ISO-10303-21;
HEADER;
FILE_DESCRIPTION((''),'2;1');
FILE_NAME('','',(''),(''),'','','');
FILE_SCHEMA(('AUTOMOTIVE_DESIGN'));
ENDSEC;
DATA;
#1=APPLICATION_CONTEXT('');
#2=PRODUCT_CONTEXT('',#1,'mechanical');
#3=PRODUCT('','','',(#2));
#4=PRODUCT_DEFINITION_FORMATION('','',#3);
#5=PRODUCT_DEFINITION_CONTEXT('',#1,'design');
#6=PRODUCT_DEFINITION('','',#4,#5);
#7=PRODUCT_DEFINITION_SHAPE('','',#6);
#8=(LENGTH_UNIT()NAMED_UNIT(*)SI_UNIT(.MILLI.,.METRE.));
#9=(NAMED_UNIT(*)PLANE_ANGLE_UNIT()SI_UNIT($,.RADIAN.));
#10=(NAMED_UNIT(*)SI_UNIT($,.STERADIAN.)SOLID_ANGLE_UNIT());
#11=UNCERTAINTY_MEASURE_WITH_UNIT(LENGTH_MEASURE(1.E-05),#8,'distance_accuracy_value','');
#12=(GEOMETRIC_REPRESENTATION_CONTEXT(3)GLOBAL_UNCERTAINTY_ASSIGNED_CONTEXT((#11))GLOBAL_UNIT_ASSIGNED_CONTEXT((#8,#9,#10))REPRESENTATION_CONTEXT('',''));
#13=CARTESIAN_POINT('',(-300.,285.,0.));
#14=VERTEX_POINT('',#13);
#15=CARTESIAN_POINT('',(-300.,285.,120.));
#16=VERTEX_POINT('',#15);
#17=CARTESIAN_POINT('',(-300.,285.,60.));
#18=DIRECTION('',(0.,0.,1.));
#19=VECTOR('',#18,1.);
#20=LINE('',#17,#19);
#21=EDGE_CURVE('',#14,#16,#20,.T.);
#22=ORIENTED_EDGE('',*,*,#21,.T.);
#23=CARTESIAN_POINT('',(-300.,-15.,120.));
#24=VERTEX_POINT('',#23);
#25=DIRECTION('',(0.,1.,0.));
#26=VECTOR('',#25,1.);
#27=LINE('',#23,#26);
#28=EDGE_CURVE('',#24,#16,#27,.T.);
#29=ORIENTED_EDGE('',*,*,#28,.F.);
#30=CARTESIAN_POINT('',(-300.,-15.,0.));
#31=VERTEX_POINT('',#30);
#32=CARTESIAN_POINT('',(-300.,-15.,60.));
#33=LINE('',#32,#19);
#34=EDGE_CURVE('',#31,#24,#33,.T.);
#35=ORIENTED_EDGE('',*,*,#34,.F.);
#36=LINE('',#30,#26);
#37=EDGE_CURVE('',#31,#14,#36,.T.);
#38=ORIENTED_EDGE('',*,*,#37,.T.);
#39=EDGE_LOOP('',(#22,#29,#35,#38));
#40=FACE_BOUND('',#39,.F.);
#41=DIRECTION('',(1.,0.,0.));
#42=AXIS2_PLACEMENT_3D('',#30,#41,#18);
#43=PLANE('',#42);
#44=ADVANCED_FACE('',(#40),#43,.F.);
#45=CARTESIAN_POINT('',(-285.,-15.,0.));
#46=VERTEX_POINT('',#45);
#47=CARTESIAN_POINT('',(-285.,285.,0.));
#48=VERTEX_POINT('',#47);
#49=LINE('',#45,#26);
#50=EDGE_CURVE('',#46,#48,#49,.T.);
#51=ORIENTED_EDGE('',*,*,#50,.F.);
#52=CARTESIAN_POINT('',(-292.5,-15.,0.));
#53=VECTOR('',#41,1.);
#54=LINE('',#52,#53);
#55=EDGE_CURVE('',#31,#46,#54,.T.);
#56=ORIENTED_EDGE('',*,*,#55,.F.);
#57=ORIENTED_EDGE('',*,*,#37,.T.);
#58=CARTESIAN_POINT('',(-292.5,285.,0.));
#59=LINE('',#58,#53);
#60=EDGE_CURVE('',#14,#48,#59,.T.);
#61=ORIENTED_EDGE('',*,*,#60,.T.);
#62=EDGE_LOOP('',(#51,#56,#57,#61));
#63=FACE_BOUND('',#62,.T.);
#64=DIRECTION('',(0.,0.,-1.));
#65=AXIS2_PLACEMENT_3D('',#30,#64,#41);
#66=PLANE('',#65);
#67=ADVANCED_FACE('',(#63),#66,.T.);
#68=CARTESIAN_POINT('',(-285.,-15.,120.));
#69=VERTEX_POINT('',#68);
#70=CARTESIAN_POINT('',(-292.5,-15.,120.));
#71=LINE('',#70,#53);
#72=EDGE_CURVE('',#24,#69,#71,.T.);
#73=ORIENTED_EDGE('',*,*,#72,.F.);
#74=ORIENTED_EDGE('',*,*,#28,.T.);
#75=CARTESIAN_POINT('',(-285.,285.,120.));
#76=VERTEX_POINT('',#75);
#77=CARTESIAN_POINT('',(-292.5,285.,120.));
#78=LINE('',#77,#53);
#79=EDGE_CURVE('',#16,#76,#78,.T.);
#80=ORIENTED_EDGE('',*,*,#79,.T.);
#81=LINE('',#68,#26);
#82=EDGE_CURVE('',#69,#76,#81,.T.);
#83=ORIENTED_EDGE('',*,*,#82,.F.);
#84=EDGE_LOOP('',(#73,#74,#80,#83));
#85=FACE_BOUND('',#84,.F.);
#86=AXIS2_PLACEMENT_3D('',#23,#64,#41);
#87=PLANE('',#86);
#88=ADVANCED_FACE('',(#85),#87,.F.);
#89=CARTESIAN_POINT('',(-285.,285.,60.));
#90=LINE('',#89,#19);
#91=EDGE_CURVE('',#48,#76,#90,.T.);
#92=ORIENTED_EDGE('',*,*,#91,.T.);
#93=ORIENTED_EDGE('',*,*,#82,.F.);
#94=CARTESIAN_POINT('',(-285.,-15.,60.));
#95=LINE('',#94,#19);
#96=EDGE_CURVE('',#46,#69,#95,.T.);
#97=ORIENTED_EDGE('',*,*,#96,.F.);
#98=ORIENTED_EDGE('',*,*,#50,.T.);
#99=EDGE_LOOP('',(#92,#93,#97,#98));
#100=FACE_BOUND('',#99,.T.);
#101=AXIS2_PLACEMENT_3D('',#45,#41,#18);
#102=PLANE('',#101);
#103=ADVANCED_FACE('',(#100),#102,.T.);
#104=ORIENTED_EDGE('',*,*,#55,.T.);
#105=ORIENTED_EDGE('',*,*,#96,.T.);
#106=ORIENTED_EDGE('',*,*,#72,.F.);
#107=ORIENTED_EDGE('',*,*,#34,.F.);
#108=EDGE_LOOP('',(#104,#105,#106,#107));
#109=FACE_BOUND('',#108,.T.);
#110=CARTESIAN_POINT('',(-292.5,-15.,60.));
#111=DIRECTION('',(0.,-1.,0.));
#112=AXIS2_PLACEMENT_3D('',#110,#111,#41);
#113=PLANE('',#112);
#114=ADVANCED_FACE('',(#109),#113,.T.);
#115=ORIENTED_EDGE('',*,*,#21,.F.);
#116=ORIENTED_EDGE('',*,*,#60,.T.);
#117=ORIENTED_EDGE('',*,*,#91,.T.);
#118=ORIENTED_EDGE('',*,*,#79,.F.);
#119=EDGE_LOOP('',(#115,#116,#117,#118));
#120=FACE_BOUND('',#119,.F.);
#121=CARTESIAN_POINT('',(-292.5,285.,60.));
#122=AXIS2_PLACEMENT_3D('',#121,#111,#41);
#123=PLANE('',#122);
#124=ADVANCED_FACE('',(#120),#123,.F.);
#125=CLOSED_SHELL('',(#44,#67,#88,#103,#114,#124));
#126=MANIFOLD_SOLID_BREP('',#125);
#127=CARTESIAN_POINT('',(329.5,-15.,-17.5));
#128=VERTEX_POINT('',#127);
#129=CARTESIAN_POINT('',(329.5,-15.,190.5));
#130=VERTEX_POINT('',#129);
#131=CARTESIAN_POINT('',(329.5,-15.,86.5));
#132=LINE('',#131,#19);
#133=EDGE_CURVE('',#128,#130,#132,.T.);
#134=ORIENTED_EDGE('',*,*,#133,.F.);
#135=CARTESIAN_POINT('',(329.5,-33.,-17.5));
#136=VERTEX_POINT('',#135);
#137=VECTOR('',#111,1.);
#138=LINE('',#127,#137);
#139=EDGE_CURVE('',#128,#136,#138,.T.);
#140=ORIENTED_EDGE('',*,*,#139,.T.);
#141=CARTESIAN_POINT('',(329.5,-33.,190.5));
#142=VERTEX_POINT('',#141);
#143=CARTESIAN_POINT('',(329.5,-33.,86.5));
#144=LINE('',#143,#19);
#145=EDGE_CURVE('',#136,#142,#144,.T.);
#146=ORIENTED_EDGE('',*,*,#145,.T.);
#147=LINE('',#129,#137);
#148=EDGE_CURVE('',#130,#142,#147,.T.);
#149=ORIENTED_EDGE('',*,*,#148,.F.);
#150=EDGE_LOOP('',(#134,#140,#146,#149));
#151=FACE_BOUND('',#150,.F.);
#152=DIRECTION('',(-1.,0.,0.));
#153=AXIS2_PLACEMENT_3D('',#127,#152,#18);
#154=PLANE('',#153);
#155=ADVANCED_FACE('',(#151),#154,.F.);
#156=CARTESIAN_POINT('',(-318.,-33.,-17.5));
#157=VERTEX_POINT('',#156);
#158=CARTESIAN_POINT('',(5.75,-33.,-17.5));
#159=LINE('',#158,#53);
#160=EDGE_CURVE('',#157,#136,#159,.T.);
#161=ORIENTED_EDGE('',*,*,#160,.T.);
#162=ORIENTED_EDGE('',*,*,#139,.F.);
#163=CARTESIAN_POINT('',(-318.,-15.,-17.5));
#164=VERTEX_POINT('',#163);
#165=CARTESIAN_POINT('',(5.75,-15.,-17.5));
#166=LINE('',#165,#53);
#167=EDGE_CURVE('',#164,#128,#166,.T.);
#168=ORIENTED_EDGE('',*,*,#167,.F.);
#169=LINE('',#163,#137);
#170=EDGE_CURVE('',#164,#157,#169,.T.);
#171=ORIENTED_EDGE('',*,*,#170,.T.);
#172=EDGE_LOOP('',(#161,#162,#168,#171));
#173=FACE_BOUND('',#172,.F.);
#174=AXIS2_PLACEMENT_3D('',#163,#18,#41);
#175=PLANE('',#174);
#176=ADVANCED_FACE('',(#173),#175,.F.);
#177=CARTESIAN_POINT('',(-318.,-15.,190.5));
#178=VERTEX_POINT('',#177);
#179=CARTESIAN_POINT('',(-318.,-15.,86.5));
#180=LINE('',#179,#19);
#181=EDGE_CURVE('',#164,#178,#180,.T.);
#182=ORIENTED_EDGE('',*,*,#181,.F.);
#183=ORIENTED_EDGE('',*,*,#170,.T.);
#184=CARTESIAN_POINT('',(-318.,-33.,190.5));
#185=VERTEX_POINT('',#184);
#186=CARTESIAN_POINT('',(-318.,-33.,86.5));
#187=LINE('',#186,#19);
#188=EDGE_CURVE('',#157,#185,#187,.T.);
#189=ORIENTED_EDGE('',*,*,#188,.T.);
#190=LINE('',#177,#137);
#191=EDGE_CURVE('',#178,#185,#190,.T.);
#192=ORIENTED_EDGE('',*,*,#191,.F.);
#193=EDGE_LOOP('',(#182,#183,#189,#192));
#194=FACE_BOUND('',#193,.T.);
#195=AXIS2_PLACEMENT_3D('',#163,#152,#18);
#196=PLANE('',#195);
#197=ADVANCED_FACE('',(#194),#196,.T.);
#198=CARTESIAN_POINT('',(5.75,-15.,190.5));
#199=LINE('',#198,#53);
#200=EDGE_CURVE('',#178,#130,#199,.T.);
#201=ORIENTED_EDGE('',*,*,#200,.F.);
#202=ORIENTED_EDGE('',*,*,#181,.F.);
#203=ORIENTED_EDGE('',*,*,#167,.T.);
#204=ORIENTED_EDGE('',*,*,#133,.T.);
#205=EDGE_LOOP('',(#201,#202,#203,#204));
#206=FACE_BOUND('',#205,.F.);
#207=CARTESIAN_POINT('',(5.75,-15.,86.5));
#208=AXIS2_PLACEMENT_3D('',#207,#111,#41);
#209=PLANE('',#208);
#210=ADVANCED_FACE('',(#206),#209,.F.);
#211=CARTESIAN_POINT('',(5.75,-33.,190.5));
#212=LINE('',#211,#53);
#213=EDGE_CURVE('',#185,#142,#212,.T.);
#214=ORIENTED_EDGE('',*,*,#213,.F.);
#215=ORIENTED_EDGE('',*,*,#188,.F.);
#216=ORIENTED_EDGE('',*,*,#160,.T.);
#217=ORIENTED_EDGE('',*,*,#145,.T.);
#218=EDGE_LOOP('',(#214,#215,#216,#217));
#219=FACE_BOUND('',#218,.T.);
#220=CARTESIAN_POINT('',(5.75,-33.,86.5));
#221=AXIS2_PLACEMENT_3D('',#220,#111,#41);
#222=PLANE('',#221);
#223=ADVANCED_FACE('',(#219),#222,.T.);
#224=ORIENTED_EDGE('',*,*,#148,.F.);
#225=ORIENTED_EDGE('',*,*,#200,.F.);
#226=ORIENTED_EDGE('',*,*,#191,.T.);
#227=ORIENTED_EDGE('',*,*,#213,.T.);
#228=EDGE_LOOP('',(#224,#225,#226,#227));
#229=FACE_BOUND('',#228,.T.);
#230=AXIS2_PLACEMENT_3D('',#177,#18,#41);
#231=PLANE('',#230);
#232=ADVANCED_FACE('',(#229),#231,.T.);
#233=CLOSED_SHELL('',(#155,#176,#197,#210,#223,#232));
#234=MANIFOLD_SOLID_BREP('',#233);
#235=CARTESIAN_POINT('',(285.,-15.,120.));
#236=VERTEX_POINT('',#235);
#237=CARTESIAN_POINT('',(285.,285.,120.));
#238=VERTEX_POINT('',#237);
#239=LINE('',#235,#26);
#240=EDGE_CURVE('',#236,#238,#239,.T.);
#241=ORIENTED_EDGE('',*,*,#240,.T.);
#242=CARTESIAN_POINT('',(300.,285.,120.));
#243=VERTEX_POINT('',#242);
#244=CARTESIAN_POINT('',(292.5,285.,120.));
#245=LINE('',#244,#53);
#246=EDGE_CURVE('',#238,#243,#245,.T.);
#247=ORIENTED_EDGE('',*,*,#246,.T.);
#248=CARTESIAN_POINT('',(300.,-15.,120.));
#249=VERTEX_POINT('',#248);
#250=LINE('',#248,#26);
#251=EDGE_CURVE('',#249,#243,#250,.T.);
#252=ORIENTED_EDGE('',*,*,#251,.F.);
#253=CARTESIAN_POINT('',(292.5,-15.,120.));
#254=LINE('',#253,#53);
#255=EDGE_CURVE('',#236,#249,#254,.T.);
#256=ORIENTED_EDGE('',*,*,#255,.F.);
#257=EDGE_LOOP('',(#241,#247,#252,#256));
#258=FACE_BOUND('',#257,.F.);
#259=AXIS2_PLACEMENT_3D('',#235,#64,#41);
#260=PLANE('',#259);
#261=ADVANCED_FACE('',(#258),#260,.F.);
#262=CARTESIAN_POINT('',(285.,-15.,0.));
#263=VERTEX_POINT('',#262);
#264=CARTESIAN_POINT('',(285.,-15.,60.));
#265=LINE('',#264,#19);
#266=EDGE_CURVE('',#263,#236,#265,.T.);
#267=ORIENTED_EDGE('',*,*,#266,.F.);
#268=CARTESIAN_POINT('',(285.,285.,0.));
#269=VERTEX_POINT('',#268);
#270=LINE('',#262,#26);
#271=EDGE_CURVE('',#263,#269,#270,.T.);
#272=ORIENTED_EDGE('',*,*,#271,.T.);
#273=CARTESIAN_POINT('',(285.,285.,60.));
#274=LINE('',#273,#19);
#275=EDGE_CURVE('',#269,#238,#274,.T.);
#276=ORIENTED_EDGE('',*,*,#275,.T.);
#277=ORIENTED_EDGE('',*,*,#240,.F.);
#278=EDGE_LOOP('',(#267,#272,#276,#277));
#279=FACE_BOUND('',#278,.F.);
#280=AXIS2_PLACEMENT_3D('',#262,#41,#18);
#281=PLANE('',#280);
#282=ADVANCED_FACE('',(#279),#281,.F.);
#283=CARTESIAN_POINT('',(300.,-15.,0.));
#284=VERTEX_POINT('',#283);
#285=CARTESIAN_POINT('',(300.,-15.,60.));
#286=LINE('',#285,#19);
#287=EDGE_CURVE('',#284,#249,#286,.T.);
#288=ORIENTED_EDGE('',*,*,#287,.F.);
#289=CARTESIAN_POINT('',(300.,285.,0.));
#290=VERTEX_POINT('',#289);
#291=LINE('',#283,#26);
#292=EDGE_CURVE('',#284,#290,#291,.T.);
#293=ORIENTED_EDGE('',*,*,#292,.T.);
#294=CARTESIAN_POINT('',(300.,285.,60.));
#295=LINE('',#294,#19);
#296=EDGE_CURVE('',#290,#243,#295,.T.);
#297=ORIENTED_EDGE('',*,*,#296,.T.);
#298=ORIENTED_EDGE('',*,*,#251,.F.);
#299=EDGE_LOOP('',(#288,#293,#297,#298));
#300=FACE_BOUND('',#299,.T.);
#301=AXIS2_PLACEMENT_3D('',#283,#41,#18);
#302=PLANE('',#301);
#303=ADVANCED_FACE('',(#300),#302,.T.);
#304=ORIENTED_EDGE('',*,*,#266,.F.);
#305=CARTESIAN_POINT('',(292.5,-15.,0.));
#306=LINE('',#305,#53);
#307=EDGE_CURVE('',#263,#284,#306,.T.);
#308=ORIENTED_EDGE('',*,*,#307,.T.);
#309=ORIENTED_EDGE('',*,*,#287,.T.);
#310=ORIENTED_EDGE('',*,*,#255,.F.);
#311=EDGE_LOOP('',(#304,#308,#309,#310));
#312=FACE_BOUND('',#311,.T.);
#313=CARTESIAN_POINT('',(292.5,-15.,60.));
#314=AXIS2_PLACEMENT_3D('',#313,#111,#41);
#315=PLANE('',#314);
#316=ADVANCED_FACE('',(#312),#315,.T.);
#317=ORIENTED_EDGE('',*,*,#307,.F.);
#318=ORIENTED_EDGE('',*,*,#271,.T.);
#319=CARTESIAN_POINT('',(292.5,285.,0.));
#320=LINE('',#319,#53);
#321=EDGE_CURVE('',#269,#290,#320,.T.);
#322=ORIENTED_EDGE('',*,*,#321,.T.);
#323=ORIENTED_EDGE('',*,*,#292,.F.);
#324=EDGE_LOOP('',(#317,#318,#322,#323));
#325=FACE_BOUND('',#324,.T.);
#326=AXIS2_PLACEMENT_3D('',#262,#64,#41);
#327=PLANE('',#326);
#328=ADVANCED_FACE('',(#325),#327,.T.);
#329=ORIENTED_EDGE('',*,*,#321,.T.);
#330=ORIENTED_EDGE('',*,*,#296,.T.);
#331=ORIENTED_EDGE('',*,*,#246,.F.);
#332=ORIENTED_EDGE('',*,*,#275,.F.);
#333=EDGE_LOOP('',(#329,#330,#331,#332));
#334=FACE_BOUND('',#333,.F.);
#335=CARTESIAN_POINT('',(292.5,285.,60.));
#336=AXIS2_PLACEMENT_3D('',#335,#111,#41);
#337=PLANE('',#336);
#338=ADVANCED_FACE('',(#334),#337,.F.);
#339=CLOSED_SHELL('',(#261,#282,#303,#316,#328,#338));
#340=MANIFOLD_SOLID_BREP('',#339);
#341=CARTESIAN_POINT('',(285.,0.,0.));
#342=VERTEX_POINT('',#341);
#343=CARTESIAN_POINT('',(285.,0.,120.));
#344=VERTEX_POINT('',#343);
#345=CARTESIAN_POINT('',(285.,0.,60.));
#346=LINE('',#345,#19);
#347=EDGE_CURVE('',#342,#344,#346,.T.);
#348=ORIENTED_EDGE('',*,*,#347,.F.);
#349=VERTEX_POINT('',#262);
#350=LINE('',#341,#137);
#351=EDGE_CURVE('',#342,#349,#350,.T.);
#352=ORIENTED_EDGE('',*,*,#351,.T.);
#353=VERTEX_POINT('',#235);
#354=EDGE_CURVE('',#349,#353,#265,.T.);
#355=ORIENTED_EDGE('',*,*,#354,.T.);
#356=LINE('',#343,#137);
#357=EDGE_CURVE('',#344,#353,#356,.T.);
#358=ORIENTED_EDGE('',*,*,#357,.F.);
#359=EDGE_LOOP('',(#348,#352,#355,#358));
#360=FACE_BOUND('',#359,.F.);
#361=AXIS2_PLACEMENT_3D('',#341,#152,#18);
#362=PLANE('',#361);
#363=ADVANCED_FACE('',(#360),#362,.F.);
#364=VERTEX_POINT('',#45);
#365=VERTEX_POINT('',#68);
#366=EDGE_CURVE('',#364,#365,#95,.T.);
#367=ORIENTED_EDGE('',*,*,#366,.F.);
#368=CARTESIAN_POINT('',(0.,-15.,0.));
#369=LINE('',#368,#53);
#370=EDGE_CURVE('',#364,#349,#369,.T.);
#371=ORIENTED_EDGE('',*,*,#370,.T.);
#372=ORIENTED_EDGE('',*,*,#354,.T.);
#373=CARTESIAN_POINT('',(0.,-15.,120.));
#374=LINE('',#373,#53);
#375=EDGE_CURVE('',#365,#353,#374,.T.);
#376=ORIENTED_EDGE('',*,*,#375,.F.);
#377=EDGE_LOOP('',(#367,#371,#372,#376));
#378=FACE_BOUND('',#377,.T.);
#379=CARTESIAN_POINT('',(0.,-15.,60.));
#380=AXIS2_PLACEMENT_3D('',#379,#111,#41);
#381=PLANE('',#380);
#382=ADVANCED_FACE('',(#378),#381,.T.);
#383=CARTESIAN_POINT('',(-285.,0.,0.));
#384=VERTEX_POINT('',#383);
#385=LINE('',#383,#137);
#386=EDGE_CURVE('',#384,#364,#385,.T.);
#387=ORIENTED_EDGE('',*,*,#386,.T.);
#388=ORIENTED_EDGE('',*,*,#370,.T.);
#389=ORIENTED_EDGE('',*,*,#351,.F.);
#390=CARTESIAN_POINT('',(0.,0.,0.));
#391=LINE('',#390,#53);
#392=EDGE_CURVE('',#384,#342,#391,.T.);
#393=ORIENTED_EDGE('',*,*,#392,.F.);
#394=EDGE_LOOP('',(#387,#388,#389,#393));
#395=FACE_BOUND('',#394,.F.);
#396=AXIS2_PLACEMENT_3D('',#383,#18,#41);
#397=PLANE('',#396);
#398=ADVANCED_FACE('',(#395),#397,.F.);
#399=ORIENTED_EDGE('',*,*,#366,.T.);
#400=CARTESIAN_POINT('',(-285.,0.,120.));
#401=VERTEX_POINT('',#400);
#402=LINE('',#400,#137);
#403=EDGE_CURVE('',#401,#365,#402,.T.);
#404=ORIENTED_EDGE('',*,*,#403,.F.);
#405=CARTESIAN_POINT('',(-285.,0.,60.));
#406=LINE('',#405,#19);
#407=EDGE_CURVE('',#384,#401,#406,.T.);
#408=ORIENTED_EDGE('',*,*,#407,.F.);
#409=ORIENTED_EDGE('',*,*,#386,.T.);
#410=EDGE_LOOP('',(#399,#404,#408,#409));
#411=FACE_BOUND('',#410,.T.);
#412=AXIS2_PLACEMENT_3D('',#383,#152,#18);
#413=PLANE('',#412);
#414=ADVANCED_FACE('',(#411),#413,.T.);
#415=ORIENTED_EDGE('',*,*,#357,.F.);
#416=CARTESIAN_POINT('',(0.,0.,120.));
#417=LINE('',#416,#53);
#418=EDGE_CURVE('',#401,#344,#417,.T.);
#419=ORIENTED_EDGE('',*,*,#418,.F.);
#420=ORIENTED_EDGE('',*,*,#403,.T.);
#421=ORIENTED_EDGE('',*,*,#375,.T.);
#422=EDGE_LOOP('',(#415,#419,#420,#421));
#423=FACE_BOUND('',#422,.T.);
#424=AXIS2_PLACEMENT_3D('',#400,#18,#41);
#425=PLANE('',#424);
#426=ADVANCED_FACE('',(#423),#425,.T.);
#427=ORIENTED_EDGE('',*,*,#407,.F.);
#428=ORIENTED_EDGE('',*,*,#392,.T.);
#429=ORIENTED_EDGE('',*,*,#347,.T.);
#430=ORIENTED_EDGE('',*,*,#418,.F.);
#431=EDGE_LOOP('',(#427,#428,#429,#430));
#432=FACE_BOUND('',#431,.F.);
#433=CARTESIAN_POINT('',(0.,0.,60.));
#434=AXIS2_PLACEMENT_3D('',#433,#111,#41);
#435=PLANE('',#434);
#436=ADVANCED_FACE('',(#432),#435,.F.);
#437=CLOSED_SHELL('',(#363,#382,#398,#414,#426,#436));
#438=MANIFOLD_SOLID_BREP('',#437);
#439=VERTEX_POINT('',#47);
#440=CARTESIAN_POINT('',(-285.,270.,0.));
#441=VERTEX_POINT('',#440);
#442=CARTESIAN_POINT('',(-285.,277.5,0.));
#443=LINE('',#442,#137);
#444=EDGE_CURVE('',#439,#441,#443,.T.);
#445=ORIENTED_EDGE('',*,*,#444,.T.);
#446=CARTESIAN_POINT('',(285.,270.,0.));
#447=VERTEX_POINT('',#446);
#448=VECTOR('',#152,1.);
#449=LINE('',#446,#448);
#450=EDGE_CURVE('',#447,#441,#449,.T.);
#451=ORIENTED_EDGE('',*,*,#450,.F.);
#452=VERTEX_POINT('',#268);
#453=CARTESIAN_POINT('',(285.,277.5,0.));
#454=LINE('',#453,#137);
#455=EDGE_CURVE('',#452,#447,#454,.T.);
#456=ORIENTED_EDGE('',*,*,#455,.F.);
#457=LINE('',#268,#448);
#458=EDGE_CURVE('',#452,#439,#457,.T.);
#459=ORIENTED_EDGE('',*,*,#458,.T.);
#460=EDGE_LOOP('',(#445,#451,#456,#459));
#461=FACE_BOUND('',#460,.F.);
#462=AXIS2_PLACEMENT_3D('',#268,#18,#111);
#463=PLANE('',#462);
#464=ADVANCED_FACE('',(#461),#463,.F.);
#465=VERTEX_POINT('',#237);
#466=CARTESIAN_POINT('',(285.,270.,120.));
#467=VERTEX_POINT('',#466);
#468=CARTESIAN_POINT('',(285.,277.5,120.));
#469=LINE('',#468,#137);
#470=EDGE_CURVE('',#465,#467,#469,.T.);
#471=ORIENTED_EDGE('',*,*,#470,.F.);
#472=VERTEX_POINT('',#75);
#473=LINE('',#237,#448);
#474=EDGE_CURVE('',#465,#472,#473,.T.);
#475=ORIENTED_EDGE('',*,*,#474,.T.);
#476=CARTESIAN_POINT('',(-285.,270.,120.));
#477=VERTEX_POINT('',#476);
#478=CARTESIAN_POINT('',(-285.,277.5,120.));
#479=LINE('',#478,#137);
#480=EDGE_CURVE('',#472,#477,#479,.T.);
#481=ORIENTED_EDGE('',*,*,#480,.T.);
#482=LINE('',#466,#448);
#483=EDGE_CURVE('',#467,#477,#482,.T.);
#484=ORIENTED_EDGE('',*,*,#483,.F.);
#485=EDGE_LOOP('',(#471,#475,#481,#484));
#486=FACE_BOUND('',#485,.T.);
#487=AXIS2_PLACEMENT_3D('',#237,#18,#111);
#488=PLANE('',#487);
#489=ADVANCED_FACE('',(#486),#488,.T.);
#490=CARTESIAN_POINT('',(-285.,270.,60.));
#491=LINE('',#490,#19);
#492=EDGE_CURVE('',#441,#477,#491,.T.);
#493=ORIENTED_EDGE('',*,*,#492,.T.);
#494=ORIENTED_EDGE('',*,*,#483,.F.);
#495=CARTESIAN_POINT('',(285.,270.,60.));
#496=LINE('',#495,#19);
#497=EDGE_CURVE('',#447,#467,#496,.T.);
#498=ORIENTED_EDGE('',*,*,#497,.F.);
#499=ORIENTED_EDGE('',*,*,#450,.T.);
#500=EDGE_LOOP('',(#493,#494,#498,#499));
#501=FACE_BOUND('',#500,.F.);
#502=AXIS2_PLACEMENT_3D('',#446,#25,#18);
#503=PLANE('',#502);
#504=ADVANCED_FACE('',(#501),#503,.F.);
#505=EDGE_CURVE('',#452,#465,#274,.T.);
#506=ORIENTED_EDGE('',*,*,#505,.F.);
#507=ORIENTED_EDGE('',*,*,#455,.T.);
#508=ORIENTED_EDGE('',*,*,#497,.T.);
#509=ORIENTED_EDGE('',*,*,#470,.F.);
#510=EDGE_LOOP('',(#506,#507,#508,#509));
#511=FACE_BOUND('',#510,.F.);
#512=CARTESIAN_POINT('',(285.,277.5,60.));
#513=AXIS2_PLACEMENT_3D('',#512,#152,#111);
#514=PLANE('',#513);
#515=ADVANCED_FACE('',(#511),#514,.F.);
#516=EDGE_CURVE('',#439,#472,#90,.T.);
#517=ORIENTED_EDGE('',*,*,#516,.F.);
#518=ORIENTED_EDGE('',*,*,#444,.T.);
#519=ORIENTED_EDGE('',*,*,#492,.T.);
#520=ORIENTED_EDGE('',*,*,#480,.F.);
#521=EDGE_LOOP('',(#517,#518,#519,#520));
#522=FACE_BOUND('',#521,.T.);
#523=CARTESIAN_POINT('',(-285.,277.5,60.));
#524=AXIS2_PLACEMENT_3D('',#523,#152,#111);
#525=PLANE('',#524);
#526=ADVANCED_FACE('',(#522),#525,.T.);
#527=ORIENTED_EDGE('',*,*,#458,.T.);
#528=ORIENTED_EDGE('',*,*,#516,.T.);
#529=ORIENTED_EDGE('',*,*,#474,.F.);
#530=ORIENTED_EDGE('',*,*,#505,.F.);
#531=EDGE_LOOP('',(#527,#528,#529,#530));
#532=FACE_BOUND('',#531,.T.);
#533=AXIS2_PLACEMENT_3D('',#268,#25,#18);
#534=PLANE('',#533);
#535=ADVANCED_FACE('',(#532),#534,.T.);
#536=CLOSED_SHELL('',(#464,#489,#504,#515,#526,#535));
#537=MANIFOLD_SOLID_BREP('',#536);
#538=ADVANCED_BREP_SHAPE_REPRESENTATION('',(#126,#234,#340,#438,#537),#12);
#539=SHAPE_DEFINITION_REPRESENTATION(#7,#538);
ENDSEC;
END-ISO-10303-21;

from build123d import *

# Parameters (mm, degrees)
F0_W     = 570
F0_H     = 120
F1_DEPTH = 15
F2_W     = 15
F2_H     = 120
F3_DEPTH = 300
F4_W     = 15
F4_H     = 120
F5_DEPTH = 570
F6_W     = 647.5
F6_H     = 208
F7_DEPTH = 18


with BuildPart() as f1:
    # F0 (on Front) → F1 (new body)
    with BuildSketch(Plane.XZ):
        with Locations((0, 60)):
            Rectangle(F0_W, F0_H)
    extrude(amount=F1_DEPTH)


with BuildPart() as f3:
    # F2 (on face) → F3 (new body)
    with BuildSketch(Plane.XZ.offset(15)):
        with Locations((292.5, 60)):
            Rectangle(F2_W, F2_H)
        with Locations((-292.5, 60)):
            Rectangle(F2_W, F2_H)
    extrude(amount=-F3_DEPTH)


with BuildPart() as f5:
    # F4 (on face) → F5 (new body, through all)
    with BuildSketch(Plane(origin=(285, 0, 0), x_dir=(0, -1, 0), z_dir=(-1, 0, 0))):
        with Locations((-277.5, 60)):
            Rectangle(F4_W, F4_H)
    extrude(amount=F5_DEPTH)


with BuildPart() as f7:
    # F6 (on face) → F7 (new body)
    with BuildSketch(Plane.XZ.offset(15)):
        with Locations((5.75, 86.5)):
            Rectangle(F6_W, F6_H)
    extrude(amount=F7_DEPTH)


solid = Compound([f1.part, f3.part, f5.part, f7.part])
